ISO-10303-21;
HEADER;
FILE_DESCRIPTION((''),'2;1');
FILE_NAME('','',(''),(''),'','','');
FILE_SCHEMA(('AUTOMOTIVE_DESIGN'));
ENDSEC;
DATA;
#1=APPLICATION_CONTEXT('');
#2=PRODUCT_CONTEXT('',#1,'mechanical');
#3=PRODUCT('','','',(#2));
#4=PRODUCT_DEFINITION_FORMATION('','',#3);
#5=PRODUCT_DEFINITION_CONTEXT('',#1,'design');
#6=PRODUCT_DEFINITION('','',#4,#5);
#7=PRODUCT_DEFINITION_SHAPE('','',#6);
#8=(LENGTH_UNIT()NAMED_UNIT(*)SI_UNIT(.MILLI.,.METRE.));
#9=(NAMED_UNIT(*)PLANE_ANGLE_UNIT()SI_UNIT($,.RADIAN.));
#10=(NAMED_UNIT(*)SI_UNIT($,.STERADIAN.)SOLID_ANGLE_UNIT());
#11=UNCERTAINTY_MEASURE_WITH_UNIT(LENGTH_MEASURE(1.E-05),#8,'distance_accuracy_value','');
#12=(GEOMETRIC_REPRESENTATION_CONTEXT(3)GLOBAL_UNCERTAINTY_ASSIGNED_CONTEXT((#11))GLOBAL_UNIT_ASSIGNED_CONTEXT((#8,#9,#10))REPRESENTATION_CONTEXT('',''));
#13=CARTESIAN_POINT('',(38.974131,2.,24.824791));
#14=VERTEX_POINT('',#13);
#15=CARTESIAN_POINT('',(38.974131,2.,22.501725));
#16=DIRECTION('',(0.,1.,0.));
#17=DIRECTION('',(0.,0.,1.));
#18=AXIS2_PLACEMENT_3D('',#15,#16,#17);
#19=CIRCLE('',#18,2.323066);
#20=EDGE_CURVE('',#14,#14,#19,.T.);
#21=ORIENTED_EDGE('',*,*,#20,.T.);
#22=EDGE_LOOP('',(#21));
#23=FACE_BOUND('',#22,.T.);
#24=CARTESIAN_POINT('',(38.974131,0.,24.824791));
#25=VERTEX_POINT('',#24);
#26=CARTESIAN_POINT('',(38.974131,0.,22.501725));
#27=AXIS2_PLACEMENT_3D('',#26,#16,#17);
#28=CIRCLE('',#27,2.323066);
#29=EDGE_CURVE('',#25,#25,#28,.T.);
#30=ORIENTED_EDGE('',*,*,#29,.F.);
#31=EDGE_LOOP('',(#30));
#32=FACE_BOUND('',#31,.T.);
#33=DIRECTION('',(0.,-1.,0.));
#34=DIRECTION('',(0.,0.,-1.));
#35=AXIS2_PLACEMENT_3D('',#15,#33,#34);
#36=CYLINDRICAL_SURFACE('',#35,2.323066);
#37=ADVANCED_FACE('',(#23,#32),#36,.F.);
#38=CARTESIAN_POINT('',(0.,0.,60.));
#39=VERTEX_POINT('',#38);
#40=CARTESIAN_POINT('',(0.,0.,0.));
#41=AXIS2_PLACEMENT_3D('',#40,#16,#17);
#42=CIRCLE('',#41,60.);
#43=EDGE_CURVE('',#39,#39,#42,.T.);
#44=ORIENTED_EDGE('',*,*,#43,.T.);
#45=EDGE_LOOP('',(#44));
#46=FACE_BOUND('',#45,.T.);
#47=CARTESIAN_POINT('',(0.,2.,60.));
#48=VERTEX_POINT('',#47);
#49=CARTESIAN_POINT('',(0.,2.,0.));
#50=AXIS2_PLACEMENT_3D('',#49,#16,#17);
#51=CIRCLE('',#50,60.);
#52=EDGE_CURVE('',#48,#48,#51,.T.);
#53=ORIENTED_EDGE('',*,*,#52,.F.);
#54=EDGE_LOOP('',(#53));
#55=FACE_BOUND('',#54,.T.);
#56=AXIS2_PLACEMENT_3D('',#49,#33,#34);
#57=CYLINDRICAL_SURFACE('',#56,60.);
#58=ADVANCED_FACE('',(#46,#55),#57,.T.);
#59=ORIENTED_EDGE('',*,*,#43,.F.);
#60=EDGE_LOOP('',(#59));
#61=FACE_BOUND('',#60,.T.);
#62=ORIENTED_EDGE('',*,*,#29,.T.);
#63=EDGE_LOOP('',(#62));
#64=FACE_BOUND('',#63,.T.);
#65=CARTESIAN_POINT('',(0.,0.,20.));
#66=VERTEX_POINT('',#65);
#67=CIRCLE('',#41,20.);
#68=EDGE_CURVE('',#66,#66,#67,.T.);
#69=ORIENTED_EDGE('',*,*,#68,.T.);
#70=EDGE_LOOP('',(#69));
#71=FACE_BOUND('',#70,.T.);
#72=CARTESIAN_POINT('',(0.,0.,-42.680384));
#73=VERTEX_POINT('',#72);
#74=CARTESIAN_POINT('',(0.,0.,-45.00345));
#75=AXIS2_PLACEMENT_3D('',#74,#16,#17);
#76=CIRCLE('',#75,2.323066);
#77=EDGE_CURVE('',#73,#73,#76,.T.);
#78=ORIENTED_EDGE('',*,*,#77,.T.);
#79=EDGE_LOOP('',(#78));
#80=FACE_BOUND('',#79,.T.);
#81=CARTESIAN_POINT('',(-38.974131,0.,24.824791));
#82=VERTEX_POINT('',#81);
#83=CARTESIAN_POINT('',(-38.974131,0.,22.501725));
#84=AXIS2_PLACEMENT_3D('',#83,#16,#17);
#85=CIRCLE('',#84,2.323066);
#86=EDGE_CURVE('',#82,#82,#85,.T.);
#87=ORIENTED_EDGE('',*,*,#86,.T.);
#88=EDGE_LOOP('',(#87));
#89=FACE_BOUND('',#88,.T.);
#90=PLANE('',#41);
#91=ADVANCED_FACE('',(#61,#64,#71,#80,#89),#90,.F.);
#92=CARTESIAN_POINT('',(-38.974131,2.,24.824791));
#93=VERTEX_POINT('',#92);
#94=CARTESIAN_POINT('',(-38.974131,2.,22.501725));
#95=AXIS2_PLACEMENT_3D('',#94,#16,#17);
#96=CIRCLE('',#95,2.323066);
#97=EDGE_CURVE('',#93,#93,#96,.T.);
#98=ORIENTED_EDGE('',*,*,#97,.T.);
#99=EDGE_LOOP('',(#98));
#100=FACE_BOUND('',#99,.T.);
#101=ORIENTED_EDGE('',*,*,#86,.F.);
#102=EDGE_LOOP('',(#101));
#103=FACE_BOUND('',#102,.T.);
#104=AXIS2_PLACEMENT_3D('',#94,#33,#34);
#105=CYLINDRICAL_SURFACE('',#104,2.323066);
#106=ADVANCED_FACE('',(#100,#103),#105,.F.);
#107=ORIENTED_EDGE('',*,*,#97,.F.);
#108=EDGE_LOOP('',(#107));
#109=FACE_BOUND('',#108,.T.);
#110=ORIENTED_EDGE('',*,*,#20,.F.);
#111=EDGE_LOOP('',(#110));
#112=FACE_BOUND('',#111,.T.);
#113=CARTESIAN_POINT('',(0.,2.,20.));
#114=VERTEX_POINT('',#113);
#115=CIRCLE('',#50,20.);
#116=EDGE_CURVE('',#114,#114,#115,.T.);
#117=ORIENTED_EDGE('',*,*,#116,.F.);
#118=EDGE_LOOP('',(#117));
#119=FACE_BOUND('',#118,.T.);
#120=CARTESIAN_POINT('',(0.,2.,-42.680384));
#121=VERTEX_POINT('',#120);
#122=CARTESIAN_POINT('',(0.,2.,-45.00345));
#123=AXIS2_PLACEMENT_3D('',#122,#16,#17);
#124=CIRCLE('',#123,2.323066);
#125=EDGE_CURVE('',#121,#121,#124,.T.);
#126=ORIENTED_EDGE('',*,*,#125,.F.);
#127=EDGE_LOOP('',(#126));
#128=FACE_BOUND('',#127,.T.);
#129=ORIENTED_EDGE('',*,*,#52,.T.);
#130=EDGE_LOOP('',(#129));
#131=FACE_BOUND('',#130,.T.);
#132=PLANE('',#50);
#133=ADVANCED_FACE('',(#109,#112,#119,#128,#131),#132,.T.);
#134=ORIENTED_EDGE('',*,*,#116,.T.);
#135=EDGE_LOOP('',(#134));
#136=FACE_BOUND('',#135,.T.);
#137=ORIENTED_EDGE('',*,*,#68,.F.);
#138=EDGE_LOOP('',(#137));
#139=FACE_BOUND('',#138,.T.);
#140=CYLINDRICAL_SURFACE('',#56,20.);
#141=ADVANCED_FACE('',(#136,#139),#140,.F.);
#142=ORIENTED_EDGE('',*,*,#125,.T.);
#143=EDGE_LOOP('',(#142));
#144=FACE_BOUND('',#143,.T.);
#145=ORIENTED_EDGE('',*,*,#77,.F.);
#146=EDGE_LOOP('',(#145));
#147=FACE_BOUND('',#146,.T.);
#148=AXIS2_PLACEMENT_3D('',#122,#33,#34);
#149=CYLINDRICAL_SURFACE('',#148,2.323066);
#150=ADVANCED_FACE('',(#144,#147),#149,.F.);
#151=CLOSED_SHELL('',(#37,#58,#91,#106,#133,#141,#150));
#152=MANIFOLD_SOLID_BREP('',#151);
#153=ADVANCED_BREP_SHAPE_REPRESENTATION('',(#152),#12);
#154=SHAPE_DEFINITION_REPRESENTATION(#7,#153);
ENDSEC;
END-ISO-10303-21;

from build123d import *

# Parameters (mm, degrees)
SKETCH1_R           = 60
SKETCH1_R_2         = 20
SKETCH1_R_3         = 2.32306613
BOSS_EXTRUDE1_DEPTH = 2


with BuildPart() as part:
    # Sketch1 → Boss-Extrude1 (new body)
    with BuildSketch(Plane(origin=(0, 0, 0), x_dir=(1, 0, 0), z_dir=(0, 1, 0))):
        with Locations(Location((0, 0, 0), (0, 0, 270))):
            Circle(SKETCH1_R)
        with Locations(Location((0, 0, 0), (0, 0, 270))):
            Circle(SKETCH1_R_2, mode=Mode.SUBTRACT)
        with Locations(Location((0, 45.00344982, 0), (0, 0, 270))):
            Circle(SKETCH1_R_3, mode=Mode.SUBTRACT)
        with Locations(Location((38.974130802, -22.50172491, 0), (0, 0, 270))):
            Circle(SKETCH1_R_3, mode=Mode.SUBTRACT)
        with Locations(Location((-38.974130802, -22.50172491, 0), (0, 0, 270))):
            Circle(SKETCH1_R_3, mode=Mode.SUBTRACT)
    extrude(amount=BOSS_EXTRUDE1_DEPTH)


solid = part.part
